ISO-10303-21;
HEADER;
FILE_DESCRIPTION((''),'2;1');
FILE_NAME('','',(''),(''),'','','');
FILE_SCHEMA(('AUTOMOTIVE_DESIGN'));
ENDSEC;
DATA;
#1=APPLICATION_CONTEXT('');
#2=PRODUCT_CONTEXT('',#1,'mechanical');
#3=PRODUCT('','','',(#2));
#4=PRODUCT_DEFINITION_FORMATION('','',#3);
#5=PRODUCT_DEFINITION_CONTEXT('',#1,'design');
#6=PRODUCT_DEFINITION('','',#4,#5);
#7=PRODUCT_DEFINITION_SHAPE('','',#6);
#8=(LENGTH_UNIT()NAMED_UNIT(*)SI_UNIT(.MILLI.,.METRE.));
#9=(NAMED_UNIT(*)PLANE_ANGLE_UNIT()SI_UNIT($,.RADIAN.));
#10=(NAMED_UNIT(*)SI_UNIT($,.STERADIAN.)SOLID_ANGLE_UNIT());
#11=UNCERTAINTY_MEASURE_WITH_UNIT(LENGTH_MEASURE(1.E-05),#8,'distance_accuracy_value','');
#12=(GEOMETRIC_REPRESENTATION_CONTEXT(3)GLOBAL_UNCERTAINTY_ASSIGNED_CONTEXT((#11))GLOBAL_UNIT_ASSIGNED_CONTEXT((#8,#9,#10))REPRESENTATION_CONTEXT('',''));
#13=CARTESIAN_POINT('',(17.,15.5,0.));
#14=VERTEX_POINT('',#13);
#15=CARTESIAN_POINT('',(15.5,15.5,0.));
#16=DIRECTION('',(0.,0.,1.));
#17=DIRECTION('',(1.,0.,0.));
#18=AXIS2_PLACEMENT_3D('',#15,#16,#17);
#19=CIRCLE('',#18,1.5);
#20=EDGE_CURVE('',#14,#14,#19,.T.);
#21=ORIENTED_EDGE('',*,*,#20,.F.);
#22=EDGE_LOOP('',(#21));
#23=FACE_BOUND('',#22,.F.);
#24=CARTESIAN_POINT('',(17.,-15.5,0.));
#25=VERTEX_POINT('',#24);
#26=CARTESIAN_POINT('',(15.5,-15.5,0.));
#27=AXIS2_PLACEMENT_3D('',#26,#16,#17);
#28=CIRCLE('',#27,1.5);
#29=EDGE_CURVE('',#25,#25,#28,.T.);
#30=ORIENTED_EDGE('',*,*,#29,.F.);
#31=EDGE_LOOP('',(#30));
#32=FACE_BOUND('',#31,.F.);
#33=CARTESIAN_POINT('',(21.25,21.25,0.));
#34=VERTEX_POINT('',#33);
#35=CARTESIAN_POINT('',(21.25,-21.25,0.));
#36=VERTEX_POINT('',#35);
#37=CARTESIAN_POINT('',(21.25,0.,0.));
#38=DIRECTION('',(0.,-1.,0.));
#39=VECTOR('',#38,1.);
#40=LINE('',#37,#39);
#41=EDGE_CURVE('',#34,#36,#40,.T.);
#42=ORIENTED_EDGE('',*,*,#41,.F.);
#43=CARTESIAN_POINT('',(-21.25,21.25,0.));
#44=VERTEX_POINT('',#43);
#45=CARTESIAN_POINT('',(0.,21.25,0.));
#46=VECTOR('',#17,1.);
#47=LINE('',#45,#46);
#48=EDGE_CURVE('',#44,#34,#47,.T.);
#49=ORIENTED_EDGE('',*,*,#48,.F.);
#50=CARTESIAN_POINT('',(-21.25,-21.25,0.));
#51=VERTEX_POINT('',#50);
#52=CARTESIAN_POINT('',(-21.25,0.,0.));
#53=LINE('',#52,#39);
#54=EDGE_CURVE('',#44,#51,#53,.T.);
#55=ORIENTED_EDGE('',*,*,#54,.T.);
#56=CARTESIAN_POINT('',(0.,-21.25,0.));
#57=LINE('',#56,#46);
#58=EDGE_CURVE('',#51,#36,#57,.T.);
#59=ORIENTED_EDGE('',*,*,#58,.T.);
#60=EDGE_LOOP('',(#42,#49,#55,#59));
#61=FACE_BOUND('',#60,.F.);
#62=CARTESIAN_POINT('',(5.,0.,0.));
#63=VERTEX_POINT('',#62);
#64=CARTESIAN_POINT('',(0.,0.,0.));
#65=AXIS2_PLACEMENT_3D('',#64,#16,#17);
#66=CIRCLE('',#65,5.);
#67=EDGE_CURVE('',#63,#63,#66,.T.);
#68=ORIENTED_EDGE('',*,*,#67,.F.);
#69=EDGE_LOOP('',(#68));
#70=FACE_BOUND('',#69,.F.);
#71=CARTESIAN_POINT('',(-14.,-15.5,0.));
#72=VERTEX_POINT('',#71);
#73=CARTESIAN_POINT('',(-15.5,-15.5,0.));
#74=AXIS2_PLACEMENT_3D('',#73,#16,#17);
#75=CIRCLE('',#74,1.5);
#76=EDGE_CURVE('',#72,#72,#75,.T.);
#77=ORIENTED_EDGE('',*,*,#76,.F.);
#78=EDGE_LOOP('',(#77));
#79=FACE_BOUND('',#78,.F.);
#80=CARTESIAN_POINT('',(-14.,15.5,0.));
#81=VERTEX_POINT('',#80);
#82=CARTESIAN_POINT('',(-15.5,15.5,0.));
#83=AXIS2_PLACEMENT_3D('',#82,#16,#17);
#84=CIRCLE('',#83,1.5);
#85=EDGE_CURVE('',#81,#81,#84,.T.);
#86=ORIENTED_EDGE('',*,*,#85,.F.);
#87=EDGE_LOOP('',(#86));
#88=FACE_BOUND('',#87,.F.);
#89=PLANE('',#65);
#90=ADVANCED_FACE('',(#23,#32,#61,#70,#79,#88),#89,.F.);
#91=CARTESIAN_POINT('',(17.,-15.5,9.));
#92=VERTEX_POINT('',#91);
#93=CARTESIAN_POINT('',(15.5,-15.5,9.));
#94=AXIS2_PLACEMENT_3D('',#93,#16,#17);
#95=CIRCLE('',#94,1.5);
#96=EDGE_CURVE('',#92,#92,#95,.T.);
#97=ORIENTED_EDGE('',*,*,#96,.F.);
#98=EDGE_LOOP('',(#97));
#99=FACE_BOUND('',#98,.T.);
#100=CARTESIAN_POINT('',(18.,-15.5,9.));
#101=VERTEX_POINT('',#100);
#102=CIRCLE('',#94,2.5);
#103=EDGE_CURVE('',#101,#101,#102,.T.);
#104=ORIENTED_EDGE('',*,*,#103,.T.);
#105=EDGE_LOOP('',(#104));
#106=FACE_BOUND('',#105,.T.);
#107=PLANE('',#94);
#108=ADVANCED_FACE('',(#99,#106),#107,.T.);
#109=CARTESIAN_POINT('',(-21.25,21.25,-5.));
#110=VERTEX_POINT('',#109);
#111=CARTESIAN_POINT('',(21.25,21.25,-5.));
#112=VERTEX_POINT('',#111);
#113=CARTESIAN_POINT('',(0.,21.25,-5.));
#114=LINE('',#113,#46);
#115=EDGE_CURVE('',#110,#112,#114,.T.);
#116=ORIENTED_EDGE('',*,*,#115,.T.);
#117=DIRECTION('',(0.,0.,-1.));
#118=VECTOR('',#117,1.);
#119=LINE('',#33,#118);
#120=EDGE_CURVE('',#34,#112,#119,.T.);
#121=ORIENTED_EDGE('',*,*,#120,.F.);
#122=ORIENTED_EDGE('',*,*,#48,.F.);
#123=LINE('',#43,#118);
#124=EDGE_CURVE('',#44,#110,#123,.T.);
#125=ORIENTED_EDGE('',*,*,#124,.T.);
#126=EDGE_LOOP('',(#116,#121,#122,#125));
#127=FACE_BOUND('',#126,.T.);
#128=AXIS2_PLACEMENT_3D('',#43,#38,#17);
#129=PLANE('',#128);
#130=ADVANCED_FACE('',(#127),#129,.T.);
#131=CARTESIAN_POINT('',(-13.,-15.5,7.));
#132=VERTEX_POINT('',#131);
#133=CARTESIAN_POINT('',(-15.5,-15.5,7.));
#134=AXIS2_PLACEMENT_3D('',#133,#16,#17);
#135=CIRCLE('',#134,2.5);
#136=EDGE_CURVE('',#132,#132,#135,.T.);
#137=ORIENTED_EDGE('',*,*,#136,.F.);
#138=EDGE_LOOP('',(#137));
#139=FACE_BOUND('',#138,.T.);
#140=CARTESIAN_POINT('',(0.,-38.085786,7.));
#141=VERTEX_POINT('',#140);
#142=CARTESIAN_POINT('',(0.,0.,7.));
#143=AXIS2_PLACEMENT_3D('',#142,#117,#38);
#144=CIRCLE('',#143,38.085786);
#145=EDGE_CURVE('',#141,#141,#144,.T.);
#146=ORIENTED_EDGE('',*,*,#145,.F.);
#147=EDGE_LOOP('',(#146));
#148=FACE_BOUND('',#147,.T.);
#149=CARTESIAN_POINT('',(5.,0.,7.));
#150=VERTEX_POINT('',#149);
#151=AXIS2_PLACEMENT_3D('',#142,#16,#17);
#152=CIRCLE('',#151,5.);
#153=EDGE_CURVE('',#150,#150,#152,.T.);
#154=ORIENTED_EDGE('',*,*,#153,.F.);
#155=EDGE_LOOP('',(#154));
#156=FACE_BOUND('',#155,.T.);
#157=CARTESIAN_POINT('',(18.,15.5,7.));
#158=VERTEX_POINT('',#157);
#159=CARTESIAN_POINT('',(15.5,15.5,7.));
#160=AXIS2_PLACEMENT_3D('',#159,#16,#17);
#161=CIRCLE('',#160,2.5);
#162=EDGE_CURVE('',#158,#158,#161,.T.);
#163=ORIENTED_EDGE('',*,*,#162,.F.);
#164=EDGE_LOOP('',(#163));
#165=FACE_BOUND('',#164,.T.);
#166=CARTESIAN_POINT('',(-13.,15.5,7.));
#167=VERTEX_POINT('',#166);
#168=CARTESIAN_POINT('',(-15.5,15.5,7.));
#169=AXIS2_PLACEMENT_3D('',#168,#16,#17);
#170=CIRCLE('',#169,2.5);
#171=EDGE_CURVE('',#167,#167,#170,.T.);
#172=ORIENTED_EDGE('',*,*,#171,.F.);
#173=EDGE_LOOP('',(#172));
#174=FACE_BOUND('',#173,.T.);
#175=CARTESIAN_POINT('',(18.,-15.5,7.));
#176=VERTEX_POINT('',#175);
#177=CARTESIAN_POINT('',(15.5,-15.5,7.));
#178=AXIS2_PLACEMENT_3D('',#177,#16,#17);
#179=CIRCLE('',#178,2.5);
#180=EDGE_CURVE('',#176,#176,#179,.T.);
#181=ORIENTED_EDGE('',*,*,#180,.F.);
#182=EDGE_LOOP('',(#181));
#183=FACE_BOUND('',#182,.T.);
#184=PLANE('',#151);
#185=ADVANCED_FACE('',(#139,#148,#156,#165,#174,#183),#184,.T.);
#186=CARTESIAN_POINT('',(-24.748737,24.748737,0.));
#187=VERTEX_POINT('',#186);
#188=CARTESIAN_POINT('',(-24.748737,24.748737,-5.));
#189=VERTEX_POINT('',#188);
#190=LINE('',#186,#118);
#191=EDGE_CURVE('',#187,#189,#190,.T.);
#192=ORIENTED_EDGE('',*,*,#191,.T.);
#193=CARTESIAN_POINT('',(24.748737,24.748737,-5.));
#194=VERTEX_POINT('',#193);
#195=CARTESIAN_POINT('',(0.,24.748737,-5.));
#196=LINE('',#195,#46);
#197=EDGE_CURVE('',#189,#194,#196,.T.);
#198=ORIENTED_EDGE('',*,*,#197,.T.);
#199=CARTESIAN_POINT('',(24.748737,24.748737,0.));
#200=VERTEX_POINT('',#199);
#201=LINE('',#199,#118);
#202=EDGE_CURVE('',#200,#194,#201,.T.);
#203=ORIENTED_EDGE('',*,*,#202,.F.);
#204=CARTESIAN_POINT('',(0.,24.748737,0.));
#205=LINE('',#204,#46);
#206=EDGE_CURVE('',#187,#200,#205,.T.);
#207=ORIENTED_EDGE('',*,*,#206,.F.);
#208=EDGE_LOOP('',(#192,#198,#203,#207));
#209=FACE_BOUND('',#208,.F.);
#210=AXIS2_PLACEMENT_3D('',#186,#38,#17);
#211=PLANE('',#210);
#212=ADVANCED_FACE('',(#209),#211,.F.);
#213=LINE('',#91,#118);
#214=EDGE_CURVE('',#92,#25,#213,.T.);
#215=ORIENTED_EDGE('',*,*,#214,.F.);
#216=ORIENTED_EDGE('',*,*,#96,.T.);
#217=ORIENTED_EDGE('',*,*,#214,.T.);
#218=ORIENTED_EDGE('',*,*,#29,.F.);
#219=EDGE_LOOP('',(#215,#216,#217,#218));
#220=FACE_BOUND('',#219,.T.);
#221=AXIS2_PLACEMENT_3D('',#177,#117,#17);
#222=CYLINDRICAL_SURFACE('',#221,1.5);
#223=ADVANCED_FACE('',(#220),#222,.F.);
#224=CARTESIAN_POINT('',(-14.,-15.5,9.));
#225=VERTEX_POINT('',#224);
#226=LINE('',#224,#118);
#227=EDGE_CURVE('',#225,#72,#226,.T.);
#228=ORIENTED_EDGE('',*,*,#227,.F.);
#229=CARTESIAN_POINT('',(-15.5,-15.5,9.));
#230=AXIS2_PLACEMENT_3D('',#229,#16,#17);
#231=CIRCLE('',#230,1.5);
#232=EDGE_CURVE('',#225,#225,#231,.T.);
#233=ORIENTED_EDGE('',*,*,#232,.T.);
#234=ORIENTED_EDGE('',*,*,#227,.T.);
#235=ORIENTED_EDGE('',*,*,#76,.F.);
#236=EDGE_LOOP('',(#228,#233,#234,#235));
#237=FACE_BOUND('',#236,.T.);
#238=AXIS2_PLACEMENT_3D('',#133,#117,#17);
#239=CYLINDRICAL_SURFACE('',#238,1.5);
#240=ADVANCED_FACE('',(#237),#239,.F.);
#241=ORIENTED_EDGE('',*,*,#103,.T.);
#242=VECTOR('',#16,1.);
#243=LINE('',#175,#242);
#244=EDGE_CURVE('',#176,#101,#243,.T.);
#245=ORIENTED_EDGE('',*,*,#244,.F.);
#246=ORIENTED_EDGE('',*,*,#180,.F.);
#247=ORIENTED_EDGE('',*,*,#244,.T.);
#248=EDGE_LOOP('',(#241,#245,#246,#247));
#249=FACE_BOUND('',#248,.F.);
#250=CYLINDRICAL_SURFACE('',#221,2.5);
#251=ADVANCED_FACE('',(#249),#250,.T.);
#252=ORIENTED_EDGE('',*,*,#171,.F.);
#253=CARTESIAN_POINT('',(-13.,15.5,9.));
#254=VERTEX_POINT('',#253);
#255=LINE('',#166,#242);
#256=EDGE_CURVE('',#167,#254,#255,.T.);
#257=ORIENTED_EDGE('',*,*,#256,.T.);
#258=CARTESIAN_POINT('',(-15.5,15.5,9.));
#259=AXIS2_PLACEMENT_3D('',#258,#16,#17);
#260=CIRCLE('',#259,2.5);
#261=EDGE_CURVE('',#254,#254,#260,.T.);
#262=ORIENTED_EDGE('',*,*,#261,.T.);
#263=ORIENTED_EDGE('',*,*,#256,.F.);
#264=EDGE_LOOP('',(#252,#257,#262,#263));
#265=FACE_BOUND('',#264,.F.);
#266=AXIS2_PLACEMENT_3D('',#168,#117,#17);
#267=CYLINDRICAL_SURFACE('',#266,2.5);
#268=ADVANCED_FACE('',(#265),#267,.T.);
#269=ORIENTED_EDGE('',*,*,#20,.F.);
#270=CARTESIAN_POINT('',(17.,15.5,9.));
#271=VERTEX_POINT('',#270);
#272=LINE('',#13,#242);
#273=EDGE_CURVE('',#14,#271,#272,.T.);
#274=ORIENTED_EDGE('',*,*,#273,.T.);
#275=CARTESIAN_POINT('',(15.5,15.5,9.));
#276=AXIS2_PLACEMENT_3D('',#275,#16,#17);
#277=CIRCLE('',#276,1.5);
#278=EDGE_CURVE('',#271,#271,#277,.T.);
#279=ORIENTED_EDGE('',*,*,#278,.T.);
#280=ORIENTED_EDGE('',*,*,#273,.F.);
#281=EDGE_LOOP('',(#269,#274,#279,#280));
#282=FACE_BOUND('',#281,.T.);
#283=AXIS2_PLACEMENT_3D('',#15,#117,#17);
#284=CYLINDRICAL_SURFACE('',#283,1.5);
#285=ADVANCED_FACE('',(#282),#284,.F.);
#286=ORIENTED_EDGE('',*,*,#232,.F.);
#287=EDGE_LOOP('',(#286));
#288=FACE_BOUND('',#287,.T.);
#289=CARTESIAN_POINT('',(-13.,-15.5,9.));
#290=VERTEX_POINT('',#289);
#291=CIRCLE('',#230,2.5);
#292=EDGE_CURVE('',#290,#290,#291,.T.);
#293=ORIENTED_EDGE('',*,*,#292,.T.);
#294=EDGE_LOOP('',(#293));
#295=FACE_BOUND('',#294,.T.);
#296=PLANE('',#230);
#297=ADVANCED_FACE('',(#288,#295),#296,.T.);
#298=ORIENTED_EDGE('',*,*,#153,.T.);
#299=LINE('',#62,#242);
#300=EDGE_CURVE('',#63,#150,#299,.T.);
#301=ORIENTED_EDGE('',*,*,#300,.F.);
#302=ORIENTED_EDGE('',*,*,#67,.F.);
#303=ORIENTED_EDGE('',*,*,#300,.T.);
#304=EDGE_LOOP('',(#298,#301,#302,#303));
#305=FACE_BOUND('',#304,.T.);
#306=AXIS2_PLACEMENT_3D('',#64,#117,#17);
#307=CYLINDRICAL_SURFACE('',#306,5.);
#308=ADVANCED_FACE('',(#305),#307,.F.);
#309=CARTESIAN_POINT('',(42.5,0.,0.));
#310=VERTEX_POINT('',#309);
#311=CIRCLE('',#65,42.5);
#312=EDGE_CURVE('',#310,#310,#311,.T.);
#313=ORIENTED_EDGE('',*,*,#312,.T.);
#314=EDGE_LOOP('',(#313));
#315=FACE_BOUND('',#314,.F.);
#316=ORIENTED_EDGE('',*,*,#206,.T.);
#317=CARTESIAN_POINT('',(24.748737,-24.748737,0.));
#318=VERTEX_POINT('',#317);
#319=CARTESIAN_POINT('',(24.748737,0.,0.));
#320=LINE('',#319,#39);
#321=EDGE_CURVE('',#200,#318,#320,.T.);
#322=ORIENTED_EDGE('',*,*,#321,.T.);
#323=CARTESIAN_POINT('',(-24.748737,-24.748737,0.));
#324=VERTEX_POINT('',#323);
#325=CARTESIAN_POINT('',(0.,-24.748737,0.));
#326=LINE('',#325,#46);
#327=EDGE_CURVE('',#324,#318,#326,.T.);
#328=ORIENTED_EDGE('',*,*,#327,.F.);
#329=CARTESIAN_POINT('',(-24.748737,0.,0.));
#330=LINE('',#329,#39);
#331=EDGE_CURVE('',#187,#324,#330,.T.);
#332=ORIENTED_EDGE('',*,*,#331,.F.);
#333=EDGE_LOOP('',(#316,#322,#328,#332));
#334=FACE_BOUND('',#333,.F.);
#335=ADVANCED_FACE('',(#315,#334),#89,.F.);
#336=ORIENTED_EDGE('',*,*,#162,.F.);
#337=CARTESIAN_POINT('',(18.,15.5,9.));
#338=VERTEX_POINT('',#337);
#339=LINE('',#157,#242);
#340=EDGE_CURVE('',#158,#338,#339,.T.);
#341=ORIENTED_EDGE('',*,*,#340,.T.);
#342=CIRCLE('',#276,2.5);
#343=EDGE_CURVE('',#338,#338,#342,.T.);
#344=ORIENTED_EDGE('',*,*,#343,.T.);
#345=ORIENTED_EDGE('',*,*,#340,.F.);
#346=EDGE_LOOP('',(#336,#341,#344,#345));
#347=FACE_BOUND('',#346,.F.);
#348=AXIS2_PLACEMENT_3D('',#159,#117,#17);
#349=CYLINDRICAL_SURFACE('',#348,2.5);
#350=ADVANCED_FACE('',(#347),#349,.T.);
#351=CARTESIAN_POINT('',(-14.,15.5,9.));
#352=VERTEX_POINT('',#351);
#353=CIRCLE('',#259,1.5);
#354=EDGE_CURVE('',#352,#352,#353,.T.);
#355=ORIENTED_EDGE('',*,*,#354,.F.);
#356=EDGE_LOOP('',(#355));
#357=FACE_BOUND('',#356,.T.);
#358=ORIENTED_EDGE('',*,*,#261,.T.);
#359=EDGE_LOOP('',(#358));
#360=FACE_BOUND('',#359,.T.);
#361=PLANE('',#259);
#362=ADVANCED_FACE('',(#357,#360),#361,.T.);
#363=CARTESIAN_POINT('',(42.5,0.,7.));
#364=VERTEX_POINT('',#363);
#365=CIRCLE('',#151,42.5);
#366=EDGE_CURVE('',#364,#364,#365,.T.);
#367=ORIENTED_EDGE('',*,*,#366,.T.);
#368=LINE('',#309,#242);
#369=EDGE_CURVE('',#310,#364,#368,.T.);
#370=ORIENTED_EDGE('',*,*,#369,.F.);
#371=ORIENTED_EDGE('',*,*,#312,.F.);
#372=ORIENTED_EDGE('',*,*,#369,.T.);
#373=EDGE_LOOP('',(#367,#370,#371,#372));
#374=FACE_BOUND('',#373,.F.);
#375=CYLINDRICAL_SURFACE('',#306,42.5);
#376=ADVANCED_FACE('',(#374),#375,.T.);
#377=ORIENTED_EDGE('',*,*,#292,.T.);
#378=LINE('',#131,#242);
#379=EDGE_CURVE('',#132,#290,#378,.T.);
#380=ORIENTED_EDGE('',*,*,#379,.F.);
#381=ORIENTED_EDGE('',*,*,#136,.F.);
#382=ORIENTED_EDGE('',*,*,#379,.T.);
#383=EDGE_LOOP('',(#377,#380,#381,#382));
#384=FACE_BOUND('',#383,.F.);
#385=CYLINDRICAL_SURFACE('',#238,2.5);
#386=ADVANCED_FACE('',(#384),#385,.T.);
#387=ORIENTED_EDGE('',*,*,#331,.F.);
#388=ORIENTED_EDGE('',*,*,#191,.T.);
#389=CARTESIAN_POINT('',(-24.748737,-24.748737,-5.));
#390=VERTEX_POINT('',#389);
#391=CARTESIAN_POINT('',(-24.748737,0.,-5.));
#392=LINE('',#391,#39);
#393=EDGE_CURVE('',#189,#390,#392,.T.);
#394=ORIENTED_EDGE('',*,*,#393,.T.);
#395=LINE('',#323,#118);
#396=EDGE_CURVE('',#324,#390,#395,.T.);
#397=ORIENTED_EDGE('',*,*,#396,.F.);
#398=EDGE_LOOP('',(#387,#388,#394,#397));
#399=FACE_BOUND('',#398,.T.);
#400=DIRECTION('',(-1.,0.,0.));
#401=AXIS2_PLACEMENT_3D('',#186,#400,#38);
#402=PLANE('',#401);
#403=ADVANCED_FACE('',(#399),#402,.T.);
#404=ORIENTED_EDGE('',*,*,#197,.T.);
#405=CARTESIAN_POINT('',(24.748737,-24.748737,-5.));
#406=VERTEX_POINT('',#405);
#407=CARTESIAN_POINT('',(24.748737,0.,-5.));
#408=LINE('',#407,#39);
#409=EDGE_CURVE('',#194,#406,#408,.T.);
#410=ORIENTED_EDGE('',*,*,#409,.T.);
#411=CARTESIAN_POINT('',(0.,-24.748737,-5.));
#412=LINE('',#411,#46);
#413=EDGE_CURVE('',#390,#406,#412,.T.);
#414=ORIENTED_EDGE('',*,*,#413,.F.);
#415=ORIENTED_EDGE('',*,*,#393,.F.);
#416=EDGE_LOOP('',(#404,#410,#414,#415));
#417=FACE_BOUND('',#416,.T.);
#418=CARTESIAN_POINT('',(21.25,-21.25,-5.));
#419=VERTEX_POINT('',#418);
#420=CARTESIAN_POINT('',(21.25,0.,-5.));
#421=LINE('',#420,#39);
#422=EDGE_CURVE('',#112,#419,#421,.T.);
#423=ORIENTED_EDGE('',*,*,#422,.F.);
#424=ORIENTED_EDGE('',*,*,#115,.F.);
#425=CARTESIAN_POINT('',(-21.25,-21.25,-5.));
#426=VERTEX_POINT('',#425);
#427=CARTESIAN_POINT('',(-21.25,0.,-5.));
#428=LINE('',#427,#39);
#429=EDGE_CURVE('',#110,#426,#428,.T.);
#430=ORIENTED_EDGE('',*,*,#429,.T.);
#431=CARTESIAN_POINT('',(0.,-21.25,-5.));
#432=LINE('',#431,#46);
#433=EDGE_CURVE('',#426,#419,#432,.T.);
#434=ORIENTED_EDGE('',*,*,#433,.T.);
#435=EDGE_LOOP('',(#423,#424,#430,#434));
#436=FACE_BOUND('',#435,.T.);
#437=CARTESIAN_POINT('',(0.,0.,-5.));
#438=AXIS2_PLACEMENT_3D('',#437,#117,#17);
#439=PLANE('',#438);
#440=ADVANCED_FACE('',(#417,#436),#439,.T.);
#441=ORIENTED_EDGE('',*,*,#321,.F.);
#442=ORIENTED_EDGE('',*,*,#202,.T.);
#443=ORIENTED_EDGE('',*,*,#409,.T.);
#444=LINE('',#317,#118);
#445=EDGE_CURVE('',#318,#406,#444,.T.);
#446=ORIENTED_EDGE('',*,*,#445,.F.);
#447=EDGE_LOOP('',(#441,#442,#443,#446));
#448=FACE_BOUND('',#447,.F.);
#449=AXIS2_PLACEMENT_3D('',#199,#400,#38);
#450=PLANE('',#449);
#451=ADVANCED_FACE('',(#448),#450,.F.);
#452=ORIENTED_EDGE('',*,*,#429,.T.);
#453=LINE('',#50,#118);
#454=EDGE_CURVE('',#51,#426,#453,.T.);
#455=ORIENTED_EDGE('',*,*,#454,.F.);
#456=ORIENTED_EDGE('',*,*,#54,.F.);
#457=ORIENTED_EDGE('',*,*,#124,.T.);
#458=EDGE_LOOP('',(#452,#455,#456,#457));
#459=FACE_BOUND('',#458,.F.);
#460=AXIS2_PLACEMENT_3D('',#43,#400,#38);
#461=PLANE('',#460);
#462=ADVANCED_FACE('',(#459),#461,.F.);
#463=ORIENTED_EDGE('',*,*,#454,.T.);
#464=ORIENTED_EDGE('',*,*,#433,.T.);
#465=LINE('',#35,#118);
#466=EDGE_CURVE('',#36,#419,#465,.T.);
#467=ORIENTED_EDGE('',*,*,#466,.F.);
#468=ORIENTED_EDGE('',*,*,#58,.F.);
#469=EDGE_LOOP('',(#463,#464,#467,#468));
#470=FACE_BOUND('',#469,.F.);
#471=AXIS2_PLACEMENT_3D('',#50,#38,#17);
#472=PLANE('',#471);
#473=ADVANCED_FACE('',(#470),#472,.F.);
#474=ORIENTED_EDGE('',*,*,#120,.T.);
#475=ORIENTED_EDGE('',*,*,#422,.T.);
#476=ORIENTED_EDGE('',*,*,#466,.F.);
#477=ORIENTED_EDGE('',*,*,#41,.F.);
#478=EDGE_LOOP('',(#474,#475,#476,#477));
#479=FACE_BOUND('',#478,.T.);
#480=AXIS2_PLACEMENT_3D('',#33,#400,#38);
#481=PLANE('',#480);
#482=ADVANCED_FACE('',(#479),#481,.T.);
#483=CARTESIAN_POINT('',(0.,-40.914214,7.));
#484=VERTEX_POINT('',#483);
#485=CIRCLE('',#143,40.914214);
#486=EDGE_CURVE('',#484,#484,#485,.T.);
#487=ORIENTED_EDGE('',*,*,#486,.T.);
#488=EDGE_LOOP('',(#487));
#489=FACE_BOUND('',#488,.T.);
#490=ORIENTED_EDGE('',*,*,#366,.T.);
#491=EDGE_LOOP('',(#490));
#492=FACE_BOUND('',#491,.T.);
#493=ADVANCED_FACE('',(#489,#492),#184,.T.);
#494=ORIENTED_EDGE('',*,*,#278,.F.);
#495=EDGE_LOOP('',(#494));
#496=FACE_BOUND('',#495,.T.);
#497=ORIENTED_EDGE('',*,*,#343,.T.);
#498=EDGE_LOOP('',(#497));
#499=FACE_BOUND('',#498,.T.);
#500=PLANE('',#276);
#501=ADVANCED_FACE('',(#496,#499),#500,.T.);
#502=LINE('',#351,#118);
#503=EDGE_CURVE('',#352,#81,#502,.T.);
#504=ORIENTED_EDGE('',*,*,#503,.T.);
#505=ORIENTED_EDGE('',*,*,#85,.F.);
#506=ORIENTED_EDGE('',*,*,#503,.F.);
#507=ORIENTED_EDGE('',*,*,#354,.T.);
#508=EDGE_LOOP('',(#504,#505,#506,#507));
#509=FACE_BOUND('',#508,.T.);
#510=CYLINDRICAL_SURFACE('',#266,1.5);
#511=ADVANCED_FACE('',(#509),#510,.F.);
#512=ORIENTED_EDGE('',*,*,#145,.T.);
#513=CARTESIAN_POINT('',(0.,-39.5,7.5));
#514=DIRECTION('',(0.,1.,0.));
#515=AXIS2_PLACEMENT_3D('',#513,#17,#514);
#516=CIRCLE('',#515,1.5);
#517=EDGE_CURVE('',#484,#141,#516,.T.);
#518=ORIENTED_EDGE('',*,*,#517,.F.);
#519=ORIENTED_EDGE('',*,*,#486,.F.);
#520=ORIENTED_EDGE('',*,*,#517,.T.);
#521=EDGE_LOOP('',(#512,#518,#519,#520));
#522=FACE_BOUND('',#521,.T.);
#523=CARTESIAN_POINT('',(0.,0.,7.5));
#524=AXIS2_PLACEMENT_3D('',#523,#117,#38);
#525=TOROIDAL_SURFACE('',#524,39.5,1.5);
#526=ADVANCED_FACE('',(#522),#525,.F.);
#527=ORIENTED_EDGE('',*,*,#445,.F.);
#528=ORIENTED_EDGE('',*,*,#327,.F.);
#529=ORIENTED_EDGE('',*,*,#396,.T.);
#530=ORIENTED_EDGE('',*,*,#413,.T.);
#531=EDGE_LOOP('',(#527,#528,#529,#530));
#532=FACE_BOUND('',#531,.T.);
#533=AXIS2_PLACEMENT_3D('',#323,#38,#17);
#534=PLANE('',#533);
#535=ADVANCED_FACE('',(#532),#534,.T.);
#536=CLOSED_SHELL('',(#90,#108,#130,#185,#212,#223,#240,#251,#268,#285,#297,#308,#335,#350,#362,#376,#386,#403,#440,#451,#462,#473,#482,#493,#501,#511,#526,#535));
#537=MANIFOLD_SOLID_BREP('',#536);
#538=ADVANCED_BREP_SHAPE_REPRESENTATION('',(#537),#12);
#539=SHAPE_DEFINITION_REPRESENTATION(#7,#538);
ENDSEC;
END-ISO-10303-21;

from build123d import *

# Parameters (mm, degrees)
F0_R     = 42.5
F0_R_2   = 1.5
F0_R_3   = 5
F1_DEPTH = 7
F3_W     = 49.497474
F3_H     = 49.497474
F3_W_2   = 42.5
F3_H_2   = 42.5
F4_DEPTH = 5
F5_R     = 2.5
F5_R_2   = 1.5
F6_DEPTH = 2
F7_R     = 1.5


with BuildPart() as f1:
    # F0 (on Top) → F1 (new body)
    with BuildSketch(Plane.XY):
        Circle(F0_R)
        with Locations((-15.5, -15.5)):
            Circle(F0_R_2, mode=Mode.SUBTRACT)
        with Locations((15.5, -15.5)):
            Circle(F0_R_2, mode=Mode.SUBTRACT)
        with Locations((-15.5, 15.5)):
            Circle(F0_R_2, mode=Mode.SUBTRACT)
        Circle(F0_R_3, mode=Mode.SUBTRACT)
        with Locations((15.5, 15.5)):
            Circle(F0_R_2, mode=Mode.SUBTRACT)
    extrude(amount=F1_DEPTH)

    # F3 (on face) → F4 (join)
    with BuildSketch(Plane(origin=(0, 0, 0), x_dir=(1, 0, 0), z_dir=(0, 0, -1))):
        Rectangle(F3_W, F3_H)
        Rectangle(F3_W_2, F3_H_2, mode=Mode.SUBTRACT)
    extrude(amount=F4_DEPTH)

    # F5 (on offset) → F6 (join)
    with BuildSketch(Plane.XY.offset(7)):
        with Locations((-15.5, 15.5)):
            Circle(F5_R)
        with Locations((-15.5, 15.5)):
            Circle(F5_R_2, mode=Mode.SUBTRACT)
        with Locations((15.5, 15.5)):
            Circle(F5_R)
        with Locations((15.5, 15.5)):
            Circle(F5_R_2, mode=Mode.SUBTRACT)
        with Locations((15.5, -15.5)):
            Circle(F5_R)
        with Locations((15.5, -15.5)):
            Circle(F5_R_2, mode=Mode.SUBTRACT)
        with Locations((-15.5, -15.5)):
            Circle(F5_R)
        with Locations((-15.5, -15.5)):
            Circle(F5_R_2, mode=Mode.SUBTRACT)
    extrude(amount=F6_DEPTH)

    # F7 (on Right) → F8 (revolve, cut)
    with BuildSketch(Plane.YZ):
        with Locations((-39.5, 7.5)):
            Circle(F7_R)
    revolve(axis=Axis((0, 0, 7), (0, 0, 1)), mode=Mode.SUBTRACT)


solid = f1.part
